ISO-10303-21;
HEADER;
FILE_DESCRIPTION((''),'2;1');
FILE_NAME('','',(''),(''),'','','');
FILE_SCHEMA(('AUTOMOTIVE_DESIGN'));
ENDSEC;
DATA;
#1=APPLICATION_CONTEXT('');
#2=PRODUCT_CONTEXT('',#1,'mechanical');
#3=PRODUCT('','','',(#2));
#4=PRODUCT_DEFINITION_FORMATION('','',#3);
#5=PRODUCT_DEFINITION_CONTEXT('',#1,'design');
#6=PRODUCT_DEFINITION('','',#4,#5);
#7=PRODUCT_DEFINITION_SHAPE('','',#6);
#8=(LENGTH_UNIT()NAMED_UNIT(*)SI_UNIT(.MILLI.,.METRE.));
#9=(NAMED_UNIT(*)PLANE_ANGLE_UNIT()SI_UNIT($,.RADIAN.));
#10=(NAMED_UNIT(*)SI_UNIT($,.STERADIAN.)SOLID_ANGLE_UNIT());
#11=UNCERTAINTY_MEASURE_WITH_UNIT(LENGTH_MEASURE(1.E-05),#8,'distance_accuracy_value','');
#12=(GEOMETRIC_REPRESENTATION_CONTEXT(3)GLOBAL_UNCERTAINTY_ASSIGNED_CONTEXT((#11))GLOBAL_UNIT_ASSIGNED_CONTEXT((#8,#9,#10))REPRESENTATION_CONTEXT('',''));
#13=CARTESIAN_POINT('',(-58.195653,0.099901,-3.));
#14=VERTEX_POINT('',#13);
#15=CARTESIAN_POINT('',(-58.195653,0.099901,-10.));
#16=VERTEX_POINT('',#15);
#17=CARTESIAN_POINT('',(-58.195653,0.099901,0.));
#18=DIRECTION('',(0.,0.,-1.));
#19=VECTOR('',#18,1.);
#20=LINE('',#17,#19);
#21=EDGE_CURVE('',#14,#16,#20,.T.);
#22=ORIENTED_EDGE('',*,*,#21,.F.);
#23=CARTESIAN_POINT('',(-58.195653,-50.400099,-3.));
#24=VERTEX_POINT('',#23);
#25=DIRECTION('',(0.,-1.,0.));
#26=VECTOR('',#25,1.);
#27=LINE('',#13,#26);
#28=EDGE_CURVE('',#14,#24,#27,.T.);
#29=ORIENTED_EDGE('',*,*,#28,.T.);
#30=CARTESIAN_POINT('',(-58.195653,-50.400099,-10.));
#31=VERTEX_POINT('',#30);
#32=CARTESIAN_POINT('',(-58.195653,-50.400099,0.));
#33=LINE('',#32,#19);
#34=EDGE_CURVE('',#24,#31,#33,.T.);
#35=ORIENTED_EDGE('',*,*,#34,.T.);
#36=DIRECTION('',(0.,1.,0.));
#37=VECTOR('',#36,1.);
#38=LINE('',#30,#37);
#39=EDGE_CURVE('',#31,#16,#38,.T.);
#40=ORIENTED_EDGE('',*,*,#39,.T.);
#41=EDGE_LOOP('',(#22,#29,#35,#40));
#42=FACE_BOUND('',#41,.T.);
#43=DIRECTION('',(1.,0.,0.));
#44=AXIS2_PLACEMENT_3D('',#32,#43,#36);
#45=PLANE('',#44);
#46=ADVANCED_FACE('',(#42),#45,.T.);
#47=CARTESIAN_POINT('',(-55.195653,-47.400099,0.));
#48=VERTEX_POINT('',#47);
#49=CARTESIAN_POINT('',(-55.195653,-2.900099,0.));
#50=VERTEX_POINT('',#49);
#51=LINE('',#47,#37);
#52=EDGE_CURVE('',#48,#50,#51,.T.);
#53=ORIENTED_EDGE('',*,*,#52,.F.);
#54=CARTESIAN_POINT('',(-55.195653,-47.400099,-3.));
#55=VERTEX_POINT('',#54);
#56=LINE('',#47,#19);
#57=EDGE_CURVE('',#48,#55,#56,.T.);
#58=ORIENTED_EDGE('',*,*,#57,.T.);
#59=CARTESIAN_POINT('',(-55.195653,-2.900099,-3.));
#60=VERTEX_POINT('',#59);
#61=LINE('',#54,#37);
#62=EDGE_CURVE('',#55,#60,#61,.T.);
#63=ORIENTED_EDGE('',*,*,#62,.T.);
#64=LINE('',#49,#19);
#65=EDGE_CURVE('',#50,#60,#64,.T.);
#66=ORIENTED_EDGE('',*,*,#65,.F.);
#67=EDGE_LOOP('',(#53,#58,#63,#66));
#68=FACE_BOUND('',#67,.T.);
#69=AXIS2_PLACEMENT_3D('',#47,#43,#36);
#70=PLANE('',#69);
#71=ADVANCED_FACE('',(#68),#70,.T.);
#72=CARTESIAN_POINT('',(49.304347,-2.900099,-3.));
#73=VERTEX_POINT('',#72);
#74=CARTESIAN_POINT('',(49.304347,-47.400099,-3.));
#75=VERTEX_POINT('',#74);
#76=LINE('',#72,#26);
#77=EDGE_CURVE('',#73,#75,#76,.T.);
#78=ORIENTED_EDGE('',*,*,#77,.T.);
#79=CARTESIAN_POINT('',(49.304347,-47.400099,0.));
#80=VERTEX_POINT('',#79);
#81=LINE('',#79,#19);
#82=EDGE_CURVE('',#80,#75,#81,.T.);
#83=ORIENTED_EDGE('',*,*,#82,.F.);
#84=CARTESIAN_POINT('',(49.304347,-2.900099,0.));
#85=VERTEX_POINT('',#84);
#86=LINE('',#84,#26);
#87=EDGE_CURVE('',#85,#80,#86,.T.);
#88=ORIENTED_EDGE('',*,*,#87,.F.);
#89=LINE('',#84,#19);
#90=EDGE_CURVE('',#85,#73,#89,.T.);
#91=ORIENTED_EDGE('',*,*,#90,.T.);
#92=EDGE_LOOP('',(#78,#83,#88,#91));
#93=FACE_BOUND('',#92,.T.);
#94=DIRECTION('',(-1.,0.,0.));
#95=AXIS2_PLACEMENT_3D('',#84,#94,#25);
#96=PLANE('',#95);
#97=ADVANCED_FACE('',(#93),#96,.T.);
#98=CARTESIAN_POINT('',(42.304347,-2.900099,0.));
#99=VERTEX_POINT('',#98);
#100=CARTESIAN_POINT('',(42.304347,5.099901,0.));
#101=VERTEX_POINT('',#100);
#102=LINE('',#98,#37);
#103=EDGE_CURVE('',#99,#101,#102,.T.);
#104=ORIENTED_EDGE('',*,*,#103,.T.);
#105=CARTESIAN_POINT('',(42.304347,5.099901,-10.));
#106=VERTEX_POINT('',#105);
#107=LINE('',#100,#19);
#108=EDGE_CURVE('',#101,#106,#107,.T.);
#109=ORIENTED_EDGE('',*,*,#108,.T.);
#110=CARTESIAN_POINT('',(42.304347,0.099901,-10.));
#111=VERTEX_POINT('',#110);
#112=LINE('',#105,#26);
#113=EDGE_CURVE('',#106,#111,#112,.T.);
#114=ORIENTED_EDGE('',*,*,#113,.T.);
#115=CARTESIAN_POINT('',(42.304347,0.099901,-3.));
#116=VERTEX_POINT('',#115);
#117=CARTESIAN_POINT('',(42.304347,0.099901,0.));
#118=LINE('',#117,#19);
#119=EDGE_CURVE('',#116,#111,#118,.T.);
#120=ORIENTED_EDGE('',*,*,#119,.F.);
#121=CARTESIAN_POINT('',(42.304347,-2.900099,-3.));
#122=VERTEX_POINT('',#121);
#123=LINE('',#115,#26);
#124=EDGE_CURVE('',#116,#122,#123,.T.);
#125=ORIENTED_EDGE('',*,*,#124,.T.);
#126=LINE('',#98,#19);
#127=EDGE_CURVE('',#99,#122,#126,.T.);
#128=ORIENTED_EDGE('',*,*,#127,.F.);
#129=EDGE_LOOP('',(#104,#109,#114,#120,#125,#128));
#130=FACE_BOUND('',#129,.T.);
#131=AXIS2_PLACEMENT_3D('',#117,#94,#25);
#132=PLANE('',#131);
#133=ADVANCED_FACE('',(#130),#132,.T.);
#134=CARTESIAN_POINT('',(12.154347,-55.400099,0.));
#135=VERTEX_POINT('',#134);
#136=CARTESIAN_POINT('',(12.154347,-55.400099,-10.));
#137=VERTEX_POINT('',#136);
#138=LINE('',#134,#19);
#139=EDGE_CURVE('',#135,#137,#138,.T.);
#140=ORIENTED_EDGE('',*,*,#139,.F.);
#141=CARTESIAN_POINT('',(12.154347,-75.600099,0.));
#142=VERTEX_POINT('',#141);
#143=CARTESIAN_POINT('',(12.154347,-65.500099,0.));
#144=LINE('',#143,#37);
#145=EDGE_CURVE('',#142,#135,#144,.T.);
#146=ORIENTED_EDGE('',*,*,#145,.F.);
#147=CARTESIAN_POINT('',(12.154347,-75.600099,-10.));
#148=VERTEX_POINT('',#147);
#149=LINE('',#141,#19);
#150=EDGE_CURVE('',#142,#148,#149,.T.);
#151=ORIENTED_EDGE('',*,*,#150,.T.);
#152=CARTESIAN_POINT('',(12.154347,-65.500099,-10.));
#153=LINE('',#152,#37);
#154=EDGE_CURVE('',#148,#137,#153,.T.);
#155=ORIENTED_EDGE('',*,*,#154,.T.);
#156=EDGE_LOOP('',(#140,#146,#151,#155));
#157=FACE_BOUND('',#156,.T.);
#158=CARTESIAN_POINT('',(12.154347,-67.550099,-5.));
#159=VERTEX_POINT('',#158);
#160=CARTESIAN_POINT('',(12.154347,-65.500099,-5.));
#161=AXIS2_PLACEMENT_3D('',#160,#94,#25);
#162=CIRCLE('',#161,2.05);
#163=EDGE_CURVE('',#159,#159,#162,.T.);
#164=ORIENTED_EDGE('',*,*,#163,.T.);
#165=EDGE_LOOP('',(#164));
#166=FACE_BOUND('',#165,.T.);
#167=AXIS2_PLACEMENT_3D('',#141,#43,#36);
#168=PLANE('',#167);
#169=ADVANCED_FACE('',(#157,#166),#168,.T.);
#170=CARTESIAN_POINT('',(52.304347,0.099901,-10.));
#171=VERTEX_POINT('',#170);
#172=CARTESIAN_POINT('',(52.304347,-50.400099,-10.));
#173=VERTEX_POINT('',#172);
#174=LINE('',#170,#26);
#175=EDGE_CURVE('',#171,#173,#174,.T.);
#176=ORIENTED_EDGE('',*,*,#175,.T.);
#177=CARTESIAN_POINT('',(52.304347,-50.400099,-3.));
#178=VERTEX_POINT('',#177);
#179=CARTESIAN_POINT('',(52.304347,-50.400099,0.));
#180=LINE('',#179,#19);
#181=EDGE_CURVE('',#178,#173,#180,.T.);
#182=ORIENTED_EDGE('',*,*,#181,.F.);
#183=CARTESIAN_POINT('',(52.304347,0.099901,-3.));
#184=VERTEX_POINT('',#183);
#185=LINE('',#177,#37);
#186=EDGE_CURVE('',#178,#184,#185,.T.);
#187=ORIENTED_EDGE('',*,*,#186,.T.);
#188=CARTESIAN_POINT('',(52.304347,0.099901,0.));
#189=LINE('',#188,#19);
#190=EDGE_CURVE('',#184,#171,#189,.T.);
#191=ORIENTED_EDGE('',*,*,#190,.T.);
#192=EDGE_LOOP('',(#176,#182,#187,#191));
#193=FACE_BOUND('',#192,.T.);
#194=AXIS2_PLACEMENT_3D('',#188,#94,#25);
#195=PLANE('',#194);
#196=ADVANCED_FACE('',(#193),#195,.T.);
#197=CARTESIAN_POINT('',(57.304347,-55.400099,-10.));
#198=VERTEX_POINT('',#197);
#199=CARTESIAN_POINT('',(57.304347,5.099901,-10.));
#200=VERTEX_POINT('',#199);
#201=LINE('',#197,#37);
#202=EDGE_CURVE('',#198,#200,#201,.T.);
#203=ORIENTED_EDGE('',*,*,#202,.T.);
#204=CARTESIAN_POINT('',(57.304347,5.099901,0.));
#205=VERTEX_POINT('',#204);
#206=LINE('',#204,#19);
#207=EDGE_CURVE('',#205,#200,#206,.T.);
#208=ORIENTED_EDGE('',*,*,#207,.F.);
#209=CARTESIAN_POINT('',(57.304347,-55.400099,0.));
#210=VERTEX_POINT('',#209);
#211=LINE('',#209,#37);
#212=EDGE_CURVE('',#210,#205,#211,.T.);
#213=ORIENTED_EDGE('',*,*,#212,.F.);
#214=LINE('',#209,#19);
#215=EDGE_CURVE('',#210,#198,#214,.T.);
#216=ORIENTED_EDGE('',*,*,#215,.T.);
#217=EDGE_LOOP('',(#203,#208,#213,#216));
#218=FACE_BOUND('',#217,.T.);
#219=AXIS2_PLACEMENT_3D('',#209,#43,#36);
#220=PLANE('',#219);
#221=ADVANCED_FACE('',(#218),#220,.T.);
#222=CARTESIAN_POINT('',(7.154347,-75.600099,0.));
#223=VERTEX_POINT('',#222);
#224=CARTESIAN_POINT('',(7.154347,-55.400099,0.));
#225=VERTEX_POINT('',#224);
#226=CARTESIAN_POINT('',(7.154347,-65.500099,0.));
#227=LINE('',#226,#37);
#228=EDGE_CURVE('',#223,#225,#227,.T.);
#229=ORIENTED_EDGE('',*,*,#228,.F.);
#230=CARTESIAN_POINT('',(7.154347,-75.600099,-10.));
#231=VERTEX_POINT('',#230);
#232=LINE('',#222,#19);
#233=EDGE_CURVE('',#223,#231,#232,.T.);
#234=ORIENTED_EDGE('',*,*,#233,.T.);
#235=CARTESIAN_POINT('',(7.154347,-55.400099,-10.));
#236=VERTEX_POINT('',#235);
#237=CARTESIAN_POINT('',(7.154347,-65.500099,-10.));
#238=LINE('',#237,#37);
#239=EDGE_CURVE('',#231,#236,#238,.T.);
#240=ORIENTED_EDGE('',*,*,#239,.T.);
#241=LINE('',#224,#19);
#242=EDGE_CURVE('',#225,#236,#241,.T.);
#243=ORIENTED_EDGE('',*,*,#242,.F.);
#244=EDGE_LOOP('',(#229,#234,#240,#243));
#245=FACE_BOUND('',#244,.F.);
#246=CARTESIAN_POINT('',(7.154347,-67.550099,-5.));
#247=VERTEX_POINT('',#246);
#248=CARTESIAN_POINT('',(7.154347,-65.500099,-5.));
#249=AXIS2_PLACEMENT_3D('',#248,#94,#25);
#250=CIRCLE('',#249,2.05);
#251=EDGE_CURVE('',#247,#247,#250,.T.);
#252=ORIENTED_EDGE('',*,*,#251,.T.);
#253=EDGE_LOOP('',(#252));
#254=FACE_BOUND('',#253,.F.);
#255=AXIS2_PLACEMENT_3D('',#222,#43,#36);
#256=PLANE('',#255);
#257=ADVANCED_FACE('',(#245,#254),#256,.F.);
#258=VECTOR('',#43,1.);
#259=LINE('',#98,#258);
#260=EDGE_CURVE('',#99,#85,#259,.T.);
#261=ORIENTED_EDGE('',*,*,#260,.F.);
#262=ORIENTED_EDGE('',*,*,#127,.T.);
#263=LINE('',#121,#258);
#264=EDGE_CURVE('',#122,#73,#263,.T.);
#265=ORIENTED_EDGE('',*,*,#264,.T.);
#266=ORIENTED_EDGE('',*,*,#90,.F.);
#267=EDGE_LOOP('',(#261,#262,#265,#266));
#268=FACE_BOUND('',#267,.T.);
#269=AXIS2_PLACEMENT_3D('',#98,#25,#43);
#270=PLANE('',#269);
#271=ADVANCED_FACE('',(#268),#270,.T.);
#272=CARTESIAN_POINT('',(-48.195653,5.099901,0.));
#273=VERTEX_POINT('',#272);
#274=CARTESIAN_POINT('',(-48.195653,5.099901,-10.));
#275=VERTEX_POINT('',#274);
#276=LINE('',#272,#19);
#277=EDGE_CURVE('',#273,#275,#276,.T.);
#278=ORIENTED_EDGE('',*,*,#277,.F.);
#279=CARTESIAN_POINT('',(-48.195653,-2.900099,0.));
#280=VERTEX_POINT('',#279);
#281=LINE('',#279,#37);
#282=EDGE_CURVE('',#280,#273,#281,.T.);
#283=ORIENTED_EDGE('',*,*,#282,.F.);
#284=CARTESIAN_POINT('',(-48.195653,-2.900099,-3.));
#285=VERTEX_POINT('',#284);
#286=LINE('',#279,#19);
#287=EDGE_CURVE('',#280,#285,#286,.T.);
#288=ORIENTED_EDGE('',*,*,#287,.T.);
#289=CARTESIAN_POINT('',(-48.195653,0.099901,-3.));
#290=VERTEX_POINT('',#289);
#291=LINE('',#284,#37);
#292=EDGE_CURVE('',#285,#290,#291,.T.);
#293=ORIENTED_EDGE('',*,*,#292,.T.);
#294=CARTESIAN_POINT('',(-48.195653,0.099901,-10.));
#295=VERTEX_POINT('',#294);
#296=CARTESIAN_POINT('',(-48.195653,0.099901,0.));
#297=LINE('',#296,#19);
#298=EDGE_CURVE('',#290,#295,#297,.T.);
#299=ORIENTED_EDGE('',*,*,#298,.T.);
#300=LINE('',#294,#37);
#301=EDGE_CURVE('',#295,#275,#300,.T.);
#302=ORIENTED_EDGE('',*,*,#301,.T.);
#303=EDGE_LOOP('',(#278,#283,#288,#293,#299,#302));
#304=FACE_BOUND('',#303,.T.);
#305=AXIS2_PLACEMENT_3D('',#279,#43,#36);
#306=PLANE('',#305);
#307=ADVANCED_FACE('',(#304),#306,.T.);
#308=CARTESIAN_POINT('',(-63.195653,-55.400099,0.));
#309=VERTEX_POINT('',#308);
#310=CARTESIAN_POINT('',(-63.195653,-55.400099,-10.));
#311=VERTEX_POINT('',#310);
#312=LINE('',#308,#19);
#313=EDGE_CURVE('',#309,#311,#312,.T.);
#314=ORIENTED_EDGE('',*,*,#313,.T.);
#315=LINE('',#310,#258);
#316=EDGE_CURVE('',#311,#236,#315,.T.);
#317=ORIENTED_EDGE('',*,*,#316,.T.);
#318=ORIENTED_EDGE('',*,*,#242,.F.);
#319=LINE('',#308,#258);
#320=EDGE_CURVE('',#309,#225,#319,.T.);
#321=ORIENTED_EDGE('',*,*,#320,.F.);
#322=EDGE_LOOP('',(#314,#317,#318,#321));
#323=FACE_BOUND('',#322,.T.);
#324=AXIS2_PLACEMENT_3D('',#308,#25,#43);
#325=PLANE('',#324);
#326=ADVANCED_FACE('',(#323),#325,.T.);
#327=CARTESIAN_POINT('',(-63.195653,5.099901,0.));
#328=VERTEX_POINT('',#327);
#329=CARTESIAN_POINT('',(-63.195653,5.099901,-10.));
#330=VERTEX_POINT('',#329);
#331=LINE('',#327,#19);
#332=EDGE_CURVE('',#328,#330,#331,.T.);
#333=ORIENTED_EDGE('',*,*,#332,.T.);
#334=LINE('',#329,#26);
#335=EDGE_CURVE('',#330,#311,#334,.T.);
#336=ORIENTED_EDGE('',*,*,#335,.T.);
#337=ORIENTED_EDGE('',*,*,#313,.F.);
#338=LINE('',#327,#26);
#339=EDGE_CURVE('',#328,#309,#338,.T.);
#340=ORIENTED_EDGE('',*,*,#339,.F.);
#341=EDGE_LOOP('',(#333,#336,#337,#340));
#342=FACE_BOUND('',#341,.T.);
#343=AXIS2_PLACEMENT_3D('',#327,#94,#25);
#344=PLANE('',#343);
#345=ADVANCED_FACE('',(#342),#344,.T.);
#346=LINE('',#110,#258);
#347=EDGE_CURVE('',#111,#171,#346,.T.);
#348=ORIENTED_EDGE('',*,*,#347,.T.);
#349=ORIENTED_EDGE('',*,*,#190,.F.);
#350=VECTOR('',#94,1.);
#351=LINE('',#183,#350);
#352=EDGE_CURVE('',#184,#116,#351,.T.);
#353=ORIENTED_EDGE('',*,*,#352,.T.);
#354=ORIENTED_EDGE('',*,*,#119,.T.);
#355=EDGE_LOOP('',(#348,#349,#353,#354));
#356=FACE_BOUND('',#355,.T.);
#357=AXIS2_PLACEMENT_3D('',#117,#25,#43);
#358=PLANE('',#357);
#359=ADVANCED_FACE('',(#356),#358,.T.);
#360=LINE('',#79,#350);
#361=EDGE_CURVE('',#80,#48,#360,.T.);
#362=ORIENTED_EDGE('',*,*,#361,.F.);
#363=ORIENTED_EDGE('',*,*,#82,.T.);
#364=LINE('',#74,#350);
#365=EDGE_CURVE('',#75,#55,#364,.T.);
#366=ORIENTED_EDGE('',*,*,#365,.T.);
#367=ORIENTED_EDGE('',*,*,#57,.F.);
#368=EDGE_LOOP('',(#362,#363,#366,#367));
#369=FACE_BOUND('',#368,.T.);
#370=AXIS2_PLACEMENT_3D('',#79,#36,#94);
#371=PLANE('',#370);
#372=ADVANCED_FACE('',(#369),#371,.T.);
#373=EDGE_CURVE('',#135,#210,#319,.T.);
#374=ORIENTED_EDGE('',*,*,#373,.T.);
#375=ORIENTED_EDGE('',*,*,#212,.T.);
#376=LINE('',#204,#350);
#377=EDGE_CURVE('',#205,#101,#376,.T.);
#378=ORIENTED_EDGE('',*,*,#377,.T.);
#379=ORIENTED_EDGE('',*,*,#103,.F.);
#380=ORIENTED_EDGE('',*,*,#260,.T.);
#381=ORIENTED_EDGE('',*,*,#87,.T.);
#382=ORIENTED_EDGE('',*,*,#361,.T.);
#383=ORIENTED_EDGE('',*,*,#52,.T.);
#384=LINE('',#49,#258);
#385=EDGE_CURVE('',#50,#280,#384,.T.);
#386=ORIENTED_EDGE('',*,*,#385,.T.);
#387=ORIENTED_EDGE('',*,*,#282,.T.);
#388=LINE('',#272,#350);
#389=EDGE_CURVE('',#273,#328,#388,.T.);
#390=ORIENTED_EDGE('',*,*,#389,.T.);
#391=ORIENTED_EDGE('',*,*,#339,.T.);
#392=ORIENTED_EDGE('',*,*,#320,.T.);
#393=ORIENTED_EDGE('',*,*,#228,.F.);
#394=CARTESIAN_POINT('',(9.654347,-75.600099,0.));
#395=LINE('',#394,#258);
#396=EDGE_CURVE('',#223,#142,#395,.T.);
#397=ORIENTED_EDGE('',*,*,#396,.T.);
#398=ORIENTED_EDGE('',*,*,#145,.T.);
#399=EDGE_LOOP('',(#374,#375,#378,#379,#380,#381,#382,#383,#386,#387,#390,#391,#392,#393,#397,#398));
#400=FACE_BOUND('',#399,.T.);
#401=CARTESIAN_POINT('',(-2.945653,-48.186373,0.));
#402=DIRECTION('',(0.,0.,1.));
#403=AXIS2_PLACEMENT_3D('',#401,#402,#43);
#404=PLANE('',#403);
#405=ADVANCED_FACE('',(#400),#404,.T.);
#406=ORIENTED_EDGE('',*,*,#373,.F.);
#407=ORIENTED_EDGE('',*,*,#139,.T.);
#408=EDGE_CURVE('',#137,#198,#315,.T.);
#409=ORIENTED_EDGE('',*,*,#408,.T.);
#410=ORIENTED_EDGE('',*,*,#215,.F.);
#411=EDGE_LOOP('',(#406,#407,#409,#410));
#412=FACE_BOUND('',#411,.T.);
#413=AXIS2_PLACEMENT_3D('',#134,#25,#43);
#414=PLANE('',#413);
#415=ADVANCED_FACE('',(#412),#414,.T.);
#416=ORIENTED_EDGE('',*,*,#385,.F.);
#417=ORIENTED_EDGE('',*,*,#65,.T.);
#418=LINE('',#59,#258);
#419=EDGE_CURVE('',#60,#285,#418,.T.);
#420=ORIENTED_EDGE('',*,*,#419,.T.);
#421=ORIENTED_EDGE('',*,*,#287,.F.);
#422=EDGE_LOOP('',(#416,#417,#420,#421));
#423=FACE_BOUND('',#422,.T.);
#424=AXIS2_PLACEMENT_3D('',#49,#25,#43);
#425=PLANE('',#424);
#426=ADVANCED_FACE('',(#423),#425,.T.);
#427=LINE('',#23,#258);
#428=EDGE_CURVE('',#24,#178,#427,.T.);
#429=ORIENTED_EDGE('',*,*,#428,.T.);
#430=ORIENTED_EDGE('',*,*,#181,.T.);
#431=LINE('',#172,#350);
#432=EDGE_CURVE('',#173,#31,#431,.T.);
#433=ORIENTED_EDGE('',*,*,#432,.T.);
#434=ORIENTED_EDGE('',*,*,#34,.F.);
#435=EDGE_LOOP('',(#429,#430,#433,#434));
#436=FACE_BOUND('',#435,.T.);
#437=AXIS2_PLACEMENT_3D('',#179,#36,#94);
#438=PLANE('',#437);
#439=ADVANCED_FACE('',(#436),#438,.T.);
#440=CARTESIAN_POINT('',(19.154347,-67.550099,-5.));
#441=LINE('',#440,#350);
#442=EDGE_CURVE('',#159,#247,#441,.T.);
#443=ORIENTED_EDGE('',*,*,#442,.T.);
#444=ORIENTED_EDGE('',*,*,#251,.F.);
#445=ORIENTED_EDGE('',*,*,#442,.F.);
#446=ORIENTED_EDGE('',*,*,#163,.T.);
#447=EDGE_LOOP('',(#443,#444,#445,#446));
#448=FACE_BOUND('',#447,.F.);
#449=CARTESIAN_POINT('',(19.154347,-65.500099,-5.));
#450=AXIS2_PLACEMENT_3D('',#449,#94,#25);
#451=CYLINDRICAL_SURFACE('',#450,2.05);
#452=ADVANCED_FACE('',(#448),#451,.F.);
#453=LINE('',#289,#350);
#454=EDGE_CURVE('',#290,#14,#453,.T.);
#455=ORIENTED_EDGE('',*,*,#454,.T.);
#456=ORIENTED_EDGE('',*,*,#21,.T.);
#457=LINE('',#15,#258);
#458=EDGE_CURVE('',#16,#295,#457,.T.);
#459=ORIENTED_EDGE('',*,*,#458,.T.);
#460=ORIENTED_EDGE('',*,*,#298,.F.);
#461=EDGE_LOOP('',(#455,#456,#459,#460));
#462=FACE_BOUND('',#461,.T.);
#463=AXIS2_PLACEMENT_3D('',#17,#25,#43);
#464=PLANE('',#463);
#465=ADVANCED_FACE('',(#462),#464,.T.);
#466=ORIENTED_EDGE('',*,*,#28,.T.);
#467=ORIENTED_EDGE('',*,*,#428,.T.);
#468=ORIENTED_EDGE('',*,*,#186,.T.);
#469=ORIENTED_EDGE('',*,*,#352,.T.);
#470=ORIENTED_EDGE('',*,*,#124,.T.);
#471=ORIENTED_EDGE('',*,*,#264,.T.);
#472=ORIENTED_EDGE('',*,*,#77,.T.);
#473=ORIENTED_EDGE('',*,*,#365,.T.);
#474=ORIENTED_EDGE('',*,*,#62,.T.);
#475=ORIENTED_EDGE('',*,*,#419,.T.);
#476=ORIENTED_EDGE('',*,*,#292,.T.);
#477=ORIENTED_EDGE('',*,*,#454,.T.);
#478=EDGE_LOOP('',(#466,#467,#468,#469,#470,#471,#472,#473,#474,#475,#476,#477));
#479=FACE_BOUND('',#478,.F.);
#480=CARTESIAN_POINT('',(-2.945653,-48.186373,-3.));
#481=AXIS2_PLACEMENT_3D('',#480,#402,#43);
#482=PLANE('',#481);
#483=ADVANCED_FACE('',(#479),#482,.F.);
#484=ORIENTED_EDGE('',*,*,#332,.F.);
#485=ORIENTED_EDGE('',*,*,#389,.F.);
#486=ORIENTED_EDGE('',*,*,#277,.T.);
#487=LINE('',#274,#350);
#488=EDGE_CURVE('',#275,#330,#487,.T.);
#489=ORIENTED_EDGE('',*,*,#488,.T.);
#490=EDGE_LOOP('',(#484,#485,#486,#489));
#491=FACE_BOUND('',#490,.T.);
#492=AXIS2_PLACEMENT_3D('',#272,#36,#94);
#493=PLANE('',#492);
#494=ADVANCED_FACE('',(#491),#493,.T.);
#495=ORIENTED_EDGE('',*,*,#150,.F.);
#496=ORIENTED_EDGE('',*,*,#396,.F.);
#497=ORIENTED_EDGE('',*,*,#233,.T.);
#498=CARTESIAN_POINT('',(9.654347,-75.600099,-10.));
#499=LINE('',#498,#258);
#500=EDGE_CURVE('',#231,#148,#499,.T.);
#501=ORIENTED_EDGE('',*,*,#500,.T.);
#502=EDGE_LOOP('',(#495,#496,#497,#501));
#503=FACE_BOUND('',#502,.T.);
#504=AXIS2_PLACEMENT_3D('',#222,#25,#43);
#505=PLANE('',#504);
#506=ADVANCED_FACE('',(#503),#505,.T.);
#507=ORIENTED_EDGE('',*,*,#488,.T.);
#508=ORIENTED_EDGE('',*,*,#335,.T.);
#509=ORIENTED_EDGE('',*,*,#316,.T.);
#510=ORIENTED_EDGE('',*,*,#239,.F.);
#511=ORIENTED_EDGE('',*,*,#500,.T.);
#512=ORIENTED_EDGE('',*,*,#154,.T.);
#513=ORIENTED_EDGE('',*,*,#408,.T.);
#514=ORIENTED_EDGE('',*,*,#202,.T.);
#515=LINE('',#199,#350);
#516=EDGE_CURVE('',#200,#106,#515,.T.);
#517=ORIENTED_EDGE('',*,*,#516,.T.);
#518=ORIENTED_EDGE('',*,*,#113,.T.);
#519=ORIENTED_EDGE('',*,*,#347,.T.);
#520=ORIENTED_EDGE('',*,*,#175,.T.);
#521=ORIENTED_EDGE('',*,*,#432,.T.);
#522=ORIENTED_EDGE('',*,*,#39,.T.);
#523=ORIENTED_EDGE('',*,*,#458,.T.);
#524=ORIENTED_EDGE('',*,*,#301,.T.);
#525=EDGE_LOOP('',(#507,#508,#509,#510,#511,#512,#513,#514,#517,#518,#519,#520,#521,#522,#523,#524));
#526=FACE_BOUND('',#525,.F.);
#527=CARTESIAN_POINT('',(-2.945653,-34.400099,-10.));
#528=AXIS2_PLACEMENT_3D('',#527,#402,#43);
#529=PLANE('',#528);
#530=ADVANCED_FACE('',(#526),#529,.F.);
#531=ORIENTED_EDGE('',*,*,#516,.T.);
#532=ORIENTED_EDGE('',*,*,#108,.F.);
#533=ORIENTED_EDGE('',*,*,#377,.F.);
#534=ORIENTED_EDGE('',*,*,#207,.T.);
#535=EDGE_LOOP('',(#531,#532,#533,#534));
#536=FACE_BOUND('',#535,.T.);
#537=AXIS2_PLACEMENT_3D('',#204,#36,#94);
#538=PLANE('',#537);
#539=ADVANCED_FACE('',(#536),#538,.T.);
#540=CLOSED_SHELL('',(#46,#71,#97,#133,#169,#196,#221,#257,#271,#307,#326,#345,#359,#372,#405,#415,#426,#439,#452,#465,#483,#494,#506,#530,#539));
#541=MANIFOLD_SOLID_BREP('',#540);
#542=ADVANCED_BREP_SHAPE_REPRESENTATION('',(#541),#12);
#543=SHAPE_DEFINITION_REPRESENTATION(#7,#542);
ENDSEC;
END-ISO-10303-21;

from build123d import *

# Parameters (mm, degrees)
F0_W     = 5
F0_H     = 20.2
F1_DEPTH = 10
F3_D     = 4.1
F3_DEPTH = 7
F3_TIP   = 1.231764269
F4_DEPTH = 3


with BuildPart() as f1:
    # F0 (on Top) → F1 (new body)
    with BuildSketch(Plane.XY):
        Polygon((-58.1956532598, -40.4000989108), (-58.1956532598, 0.0999010892), (-48.1956532598, 0.0999010892), (-48.1956532598, 5.0999010892), (-63.1956532598, 5.0999010892), (-63.1956532598, -55.4000989108), (7.1543467402, -55.4000989108), (12.1543467402, -55.4000989108), (57.3043467402, -55.4000989108), (57.3043467402, 5.0999010892), (42.3043467402, 5.0999010892), (42.3043467402, 0.0999010892), (52.3043467402, 0.0999010892), (52.3043467402, -40.4000989108), (52.3043467402, -50.4000989108), (-58.1956532598, -50.4000989108), align=None)
        with Locations((9.6543467402, -65.5000989108)):
            Rectangle(F0_W, F0_H)
    extrude(amount=-F1_DEPTH)

    # F3
    with Locations(Plane.YZ.offset(12.1543467402)):
        with Locations((-65.5000989108, -5)):
            Hole(F3_D / 2, depth=F3_DEPTH)
            with Locations((0, 0, -(F3_DEPTH + F3_TIP / 2))):  # 118° drill point
                Cone(0, F3_D / 2, F3_TIP, mode=Mode.SUBTRACT)

    # F0 (on Top) → F4 (join)
    with BuildSketch(Plane.XY):
        Polygon((-55.1956532598, -40.4000989108), (-58.1956532598, -40.4000989108), (-58.1956532598, -50.4000989108), (52.3043467402, -50.4000989108), (52.3043467402, -40.4000989108), (49.3043467402, -40.4000989108), (49.3043467402, -47.4000989108), (-55.1956532598, -47.4000989108), align=None)
        Polygon((-48.1956532598, 0.0999010892), (-58.1956532598, 0.0999010892), (-58.1956532598, -40.4000989108), (-55.1956532598, -40.4000989108), (-55.1956532598, -2.9000989108), (-48.1956532598, -2.9000989108), align=None)
        Polygon((52.3043467402, 0.0999010892), (42.3043467402, 0.0999010892), (42.3043467402, -2.9000989108), (49.3043467402, -2.9000989108), (49.3043467402, -40.4000989108), (52.3043467402, -40.4000989108), align=None)
    extrude(amount=-F4_DEPTH)


solid = f1.part
